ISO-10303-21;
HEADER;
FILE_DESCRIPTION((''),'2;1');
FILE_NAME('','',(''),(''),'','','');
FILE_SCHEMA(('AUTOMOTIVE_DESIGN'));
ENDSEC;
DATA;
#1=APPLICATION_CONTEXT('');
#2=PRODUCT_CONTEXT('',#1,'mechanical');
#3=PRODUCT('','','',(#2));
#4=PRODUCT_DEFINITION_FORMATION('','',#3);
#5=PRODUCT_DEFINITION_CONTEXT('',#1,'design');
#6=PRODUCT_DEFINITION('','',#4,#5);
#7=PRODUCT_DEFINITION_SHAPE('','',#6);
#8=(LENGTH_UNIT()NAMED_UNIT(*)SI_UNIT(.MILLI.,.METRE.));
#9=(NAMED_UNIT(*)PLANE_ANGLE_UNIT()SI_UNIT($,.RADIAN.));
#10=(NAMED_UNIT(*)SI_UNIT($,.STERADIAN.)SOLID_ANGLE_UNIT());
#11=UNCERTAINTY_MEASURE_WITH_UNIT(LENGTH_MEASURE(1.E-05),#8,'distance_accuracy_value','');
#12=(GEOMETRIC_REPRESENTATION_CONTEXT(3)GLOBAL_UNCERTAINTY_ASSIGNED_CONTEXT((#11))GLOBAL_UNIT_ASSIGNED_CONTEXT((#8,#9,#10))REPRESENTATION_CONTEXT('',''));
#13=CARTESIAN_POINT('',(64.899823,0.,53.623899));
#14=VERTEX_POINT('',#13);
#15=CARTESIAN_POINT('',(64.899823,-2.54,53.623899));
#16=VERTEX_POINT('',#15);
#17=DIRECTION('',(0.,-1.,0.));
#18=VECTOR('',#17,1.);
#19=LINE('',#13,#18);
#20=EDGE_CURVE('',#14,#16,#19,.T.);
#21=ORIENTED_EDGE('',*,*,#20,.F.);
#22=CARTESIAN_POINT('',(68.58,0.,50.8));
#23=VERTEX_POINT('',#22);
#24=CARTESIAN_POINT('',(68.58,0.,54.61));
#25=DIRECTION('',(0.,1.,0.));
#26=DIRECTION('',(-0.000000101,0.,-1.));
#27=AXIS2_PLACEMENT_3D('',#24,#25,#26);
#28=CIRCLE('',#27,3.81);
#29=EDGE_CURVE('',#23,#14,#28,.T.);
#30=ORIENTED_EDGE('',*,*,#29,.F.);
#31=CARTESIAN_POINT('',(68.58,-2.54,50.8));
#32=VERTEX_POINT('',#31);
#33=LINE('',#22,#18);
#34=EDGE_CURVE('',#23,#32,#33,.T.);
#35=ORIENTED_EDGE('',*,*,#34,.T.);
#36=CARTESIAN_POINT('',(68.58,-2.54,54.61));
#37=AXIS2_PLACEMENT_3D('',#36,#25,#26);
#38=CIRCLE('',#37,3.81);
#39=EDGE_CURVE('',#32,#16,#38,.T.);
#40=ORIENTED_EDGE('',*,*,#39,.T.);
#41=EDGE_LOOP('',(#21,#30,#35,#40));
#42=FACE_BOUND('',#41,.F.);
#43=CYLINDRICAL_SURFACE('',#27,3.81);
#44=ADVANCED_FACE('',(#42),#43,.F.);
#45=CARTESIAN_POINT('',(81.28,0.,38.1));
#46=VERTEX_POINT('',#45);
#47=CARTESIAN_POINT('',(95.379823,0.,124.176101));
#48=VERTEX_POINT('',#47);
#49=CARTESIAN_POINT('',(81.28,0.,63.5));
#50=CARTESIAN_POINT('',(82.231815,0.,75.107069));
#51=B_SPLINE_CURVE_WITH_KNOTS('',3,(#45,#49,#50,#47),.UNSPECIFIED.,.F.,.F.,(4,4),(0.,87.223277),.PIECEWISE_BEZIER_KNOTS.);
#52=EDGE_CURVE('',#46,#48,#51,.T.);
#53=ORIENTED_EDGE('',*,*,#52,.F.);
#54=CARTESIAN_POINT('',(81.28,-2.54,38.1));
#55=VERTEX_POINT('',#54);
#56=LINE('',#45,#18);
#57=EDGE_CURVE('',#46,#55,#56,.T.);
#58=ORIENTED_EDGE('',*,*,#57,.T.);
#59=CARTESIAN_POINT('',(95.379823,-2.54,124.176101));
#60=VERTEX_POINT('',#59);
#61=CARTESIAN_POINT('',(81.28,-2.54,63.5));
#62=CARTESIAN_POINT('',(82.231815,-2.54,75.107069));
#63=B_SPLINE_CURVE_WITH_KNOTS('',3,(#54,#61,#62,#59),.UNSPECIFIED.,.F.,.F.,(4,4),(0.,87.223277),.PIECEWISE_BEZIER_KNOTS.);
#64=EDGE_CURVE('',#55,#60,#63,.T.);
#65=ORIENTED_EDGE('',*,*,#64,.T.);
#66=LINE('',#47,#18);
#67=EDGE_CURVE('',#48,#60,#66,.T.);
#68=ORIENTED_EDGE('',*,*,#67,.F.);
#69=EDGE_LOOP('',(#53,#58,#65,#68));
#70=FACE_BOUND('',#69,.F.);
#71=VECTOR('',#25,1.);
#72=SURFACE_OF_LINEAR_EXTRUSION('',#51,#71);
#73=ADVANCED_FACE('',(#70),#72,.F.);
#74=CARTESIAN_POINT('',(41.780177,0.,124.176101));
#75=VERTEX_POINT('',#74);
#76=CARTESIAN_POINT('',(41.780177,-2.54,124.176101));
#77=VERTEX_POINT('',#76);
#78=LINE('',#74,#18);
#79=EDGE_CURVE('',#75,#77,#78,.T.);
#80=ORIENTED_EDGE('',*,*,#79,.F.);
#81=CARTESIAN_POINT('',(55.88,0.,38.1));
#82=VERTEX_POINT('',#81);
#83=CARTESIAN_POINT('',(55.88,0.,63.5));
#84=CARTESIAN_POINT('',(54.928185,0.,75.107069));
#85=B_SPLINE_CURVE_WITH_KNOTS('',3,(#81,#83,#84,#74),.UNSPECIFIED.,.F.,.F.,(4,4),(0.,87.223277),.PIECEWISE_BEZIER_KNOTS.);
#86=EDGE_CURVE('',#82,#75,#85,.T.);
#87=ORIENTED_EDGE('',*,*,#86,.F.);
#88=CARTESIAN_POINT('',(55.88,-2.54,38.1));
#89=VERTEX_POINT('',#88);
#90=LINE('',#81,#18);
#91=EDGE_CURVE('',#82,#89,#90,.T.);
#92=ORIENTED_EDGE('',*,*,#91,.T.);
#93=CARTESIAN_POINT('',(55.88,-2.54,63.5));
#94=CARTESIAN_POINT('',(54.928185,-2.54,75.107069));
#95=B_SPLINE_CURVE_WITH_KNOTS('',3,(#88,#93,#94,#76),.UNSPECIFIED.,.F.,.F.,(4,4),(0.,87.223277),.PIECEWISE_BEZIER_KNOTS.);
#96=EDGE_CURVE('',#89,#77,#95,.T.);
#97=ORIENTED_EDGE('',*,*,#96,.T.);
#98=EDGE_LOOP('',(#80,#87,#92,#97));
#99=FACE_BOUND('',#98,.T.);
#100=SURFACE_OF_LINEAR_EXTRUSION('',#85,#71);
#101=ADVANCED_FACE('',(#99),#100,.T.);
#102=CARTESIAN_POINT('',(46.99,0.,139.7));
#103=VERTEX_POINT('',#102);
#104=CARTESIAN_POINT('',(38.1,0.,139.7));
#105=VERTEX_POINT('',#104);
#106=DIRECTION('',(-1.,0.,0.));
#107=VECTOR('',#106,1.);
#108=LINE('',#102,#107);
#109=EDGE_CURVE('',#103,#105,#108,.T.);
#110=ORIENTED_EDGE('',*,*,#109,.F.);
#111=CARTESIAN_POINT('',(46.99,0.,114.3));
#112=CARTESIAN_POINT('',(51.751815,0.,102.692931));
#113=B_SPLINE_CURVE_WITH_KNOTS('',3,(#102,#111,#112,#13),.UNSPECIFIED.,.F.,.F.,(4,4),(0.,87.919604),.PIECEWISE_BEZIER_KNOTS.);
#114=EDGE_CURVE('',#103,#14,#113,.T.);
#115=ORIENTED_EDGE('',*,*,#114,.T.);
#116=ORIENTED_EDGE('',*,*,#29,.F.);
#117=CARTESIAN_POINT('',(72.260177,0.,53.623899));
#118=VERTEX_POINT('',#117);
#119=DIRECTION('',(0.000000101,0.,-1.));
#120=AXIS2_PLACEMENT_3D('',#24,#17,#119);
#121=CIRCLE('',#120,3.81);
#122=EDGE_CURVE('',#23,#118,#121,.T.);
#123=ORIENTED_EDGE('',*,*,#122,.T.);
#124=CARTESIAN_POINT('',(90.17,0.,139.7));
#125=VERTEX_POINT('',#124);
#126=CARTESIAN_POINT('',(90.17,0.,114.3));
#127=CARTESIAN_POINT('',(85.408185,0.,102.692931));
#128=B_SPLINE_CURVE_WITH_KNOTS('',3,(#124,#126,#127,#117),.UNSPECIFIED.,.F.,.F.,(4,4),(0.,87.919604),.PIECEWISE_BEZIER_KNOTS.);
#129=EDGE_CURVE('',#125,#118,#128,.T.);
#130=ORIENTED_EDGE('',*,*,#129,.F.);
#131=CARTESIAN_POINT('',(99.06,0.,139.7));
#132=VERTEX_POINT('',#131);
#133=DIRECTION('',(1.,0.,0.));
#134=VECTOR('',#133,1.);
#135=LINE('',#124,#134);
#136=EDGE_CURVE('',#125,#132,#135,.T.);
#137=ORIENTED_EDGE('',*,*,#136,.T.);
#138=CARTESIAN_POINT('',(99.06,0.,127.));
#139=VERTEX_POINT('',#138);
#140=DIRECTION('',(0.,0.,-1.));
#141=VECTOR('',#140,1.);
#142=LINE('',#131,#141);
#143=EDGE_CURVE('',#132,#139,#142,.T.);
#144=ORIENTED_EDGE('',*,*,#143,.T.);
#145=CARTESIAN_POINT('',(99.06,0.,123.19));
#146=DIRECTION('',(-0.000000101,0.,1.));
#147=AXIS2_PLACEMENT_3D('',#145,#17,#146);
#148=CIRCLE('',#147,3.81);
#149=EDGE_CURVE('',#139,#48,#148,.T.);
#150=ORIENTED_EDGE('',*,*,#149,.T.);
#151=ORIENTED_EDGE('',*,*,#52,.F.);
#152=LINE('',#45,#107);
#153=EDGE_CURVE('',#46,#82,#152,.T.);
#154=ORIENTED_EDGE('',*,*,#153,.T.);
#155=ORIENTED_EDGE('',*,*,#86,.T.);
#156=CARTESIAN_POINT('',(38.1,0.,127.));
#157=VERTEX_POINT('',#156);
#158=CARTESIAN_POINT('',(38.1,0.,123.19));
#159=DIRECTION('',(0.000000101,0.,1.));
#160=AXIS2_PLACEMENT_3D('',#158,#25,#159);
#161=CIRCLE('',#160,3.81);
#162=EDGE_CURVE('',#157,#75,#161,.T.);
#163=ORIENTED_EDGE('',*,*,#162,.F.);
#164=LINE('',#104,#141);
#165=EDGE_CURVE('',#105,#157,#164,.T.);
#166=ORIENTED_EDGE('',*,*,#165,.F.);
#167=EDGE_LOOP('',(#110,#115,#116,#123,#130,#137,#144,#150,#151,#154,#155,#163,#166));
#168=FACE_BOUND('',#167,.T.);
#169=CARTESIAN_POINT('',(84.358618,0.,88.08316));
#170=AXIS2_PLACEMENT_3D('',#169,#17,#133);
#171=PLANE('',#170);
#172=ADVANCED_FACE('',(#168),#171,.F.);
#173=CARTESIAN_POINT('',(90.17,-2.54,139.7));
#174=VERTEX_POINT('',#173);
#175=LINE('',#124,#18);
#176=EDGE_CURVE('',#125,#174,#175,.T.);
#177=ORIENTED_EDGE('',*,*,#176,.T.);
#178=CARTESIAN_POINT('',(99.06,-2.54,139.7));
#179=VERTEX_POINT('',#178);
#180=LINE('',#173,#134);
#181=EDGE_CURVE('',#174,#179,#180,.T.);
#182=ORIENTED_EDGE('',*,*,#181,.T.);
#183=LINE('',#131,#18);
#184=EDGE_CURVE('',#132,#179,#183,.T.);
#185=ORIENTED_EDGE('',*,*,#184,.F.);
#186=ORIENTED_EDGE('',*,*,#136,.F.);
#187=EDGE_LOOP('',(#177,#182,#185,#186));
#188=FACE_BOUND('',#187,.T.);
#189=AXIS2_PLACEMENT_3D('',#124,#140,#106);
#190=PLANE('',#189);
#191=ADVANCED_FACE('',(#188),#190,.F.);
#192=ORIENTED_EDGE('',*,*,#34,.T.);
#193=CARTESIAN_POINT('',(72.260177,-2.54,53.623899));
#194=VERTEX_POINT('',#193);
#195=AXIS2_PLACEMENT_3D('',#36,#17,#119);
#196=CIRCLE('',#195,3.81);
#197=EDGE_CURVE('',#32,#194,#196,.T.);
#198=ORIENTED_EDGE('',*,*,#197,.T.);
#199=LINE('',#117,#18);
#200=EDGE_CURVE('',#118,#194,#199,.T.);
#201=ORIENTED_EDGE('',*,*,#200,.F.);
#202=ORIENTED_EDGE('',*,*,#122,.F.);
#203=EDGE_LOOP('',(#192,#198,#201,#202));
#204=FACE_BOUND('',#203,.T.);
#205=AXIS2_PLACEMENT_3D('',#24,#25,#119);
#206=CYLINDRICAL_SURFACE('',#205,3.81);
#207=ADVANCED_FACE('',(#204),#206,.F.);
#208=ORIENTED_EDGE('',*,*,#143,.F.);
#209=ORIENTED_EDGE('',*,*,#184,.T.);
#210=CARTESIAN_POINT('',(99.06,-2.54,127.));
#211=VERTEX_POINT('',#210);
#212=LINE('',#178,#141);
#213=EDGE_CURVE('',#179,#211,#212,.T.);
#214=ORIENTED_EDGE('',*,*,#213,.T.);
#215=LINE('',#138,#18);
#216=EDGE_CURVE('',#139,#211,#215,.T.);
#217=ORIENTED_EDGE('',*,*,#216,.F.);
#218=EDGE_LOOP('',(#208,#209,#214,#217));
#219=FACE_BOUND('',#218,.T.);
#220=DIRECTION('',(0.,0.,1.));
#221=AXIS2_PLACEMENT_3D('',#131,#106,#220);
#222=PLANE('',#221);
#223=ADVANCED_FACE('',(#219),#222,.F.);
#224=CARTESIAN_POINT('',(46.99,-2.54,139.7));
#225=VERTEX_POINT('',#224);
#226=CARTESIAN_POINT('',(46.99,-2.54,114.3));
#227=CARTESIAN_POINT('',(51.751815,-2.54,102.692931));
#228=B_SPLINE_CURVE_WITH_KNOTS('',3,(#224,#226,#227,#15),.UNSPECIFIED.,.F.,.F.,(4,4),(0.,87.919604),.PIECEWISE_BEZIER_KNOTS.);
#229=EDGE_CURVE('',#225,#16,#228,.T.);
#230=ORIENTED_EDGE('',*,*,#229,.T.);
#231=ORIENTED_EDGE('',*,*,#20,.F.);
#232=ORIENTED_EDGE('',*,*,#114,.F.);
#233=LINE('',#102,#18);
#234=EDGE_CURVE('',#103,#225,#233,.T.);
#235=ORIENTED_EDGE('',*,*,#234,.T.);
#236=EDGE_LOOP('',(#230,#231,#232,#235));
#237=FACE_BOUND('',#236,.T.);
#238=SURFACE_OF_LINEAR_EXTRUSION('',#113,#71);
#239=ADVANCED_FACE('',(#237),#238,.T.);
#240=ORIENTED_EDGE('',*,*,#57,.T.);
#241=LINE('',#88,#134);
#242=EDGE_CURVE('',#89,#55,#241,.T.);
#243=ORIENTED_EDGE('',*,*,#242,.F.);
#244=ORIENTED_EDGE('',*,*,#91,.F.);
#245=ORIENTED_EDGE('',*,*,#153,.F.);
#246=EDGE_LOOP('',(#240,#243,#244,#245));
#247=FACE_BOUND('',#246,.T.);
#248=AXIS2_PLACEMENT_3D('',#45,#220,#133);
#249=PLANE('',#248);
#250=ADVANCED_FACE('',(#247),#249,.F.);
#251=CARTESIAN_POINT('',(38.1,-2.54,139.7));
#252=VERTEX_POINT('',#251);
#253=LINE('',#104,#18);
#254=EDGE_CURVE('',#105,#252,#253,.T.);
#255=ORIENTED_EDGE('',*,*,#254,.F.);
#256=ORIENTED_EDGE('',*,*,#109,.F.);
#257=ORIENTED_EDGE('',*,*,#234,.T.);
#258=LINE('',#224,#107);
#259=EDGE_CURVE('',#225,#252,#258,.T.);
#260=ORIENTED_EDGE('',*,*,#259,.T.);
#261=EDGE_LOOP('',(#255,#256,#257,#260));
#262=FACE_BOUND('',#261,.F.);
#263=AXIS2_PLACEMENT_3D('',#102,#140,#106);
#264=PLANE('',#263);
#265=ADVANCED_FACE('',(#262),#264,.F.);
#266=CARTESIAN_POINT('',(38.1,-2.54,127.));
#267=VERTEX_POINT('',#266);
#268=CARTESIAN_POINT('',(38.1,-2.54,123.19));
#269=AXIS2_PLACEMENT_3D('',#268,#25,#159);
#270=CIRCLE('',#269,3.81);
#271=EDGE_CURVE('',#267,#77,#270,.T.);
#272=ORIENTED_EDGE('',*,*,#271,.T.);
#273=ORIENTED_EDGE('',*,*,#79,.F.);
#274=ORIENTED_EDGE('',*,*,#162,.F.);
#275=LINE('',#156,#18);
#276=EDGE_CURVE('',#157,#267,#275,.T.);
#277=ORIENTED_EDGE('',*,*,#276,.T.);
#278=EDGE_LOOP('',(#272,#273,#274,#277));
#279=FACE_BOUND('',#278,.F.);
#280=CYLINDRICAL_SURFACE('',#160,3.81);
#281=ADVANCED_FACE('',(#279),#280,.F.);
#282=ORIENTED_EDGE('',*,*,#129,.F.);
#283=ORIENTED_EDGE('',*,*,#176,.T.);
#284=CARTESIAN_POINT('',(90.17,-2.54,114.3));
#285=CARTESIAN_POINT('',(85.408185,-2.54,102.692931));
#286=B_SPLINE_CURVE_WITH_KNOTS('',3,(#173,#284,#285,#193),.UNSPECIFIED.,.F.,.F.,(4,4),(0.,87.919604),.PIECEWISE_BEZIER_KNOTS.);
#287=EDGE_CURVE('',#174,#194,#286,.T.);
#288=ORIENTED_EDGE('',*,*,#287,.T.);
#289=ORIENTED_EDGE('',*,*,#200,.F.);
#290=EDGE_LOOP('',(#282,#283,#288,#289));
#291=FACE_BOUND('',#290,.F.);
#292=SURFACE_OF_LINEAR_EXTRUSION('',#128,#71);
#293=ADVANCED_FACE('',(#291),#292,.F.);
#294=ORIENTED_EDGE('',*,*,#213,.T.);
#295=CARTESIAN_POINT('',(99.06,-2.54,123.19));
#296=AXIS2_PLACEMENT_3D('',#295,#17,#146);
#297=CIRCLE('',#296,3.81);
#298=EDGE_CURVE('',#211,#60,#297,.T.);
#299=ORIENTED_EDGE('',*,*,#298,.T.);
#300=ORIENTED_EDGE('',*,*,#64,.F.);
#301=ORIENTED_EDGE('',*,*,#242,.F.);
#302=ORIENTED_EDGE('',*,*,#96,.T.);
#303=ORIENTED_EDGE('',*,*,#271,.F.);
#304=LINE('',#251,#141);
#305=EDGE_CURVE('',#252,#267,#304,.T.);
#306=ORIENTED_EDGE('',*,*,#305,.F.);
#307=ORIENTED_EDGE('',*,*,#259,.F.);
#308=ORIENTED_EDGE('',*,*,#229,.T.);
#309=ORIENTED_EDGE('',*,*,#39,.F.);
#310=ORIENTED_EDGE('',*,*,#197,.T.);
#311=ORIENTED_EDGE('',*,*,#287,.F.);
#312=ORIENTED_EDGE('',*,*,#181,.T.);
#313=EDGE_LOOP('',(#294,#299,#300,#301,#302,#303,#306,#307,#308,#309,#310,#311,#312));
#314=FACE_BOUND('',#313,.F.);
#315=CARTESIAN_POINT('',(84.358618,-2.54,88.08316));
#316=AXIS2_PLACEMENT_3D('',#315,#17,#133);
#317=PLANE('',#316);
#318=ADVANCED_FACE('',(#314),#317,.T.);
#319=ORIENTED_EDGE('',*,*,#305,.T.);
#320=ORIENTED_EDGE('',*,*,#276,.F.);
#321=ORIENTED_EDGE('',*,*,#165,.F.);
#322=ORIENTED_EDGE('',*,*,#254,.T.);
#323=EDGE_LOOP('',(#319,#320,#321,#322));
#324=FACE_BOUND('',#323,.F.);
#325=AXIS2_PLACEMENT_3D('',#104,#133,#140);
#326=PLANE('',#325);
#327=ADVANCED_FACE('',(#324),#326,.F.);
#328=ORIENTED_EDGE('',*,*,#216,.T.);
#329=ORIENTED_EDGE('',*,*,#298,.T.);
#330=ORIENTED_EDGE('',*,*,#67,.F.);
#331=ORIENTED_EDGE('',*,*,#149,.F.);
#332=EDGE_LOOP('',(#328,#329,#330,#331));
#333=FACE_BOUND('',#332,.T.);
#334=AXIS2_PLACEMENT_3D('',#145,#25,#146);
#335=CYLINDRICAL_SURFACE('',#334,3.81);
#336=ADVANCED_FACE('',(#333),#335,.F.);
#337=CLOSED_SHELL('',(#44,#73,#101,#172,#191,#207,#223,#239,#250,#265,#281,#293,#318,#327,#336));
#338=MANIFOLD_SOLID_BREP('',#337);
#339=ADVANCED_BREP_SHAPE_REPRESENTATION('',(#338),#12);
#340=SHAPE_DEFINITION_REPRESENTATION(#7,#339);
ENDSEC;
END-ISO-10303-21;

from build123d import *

# Parameters (mm, degrees)
F1_DEPTH = 2.54


with BuildPart() as f1:
    # F0 (on Front) → F1 (new body)
    with BuildSketch(Plane.XZ):
        with BuildLine():
            Line((46.99, 139.7), (38.1, 139.7))
            Line((38.1, 139.7), (38.1, 127))
            ThreePointArc((38.1, 127), (40.419381, 126.212676), (41.780177, 124.176101))
            add(Edge.make_bspline(
                [(55.88, 38.1), (55.88, 63.5), (54.928185, 75.107069), (41.780177, 124.176101)],
                knots=[0, 0, 0, 0, 87.223277, 87.223277, 87.223277, 87.223277], degree=3))
            Line((55.88, 38.1), (68.58, 38.1))
            Line((68.58, 38.1), (68.58, 50.8))
            ThreePointArc((68.58, 50.8), (66.260619, 51.587324), (64.899823, 53.623899))
            add(Edge.make_bspline(
                [(46.99, 139.7), (46.99, 114.3), (51.751815, 102.692931), (64.899823, 53.623899)],
                knots=[0, 0, 0, 0, 87.919604, 87.919604, 87.919604, 87.919604], degree=3))
        make_face()
    extrude(amount=F1_DEPTH)

    # F2: F1 across face


with BuildPart() as f1_1:
    add(f1.part)
    add(f1.part.mirror(Plane(origin=(68.58, -1.27, 44.45), x_dir=(0, 1, 0), z_dir=(1, 0, 0))))


solid = f1_1.part
